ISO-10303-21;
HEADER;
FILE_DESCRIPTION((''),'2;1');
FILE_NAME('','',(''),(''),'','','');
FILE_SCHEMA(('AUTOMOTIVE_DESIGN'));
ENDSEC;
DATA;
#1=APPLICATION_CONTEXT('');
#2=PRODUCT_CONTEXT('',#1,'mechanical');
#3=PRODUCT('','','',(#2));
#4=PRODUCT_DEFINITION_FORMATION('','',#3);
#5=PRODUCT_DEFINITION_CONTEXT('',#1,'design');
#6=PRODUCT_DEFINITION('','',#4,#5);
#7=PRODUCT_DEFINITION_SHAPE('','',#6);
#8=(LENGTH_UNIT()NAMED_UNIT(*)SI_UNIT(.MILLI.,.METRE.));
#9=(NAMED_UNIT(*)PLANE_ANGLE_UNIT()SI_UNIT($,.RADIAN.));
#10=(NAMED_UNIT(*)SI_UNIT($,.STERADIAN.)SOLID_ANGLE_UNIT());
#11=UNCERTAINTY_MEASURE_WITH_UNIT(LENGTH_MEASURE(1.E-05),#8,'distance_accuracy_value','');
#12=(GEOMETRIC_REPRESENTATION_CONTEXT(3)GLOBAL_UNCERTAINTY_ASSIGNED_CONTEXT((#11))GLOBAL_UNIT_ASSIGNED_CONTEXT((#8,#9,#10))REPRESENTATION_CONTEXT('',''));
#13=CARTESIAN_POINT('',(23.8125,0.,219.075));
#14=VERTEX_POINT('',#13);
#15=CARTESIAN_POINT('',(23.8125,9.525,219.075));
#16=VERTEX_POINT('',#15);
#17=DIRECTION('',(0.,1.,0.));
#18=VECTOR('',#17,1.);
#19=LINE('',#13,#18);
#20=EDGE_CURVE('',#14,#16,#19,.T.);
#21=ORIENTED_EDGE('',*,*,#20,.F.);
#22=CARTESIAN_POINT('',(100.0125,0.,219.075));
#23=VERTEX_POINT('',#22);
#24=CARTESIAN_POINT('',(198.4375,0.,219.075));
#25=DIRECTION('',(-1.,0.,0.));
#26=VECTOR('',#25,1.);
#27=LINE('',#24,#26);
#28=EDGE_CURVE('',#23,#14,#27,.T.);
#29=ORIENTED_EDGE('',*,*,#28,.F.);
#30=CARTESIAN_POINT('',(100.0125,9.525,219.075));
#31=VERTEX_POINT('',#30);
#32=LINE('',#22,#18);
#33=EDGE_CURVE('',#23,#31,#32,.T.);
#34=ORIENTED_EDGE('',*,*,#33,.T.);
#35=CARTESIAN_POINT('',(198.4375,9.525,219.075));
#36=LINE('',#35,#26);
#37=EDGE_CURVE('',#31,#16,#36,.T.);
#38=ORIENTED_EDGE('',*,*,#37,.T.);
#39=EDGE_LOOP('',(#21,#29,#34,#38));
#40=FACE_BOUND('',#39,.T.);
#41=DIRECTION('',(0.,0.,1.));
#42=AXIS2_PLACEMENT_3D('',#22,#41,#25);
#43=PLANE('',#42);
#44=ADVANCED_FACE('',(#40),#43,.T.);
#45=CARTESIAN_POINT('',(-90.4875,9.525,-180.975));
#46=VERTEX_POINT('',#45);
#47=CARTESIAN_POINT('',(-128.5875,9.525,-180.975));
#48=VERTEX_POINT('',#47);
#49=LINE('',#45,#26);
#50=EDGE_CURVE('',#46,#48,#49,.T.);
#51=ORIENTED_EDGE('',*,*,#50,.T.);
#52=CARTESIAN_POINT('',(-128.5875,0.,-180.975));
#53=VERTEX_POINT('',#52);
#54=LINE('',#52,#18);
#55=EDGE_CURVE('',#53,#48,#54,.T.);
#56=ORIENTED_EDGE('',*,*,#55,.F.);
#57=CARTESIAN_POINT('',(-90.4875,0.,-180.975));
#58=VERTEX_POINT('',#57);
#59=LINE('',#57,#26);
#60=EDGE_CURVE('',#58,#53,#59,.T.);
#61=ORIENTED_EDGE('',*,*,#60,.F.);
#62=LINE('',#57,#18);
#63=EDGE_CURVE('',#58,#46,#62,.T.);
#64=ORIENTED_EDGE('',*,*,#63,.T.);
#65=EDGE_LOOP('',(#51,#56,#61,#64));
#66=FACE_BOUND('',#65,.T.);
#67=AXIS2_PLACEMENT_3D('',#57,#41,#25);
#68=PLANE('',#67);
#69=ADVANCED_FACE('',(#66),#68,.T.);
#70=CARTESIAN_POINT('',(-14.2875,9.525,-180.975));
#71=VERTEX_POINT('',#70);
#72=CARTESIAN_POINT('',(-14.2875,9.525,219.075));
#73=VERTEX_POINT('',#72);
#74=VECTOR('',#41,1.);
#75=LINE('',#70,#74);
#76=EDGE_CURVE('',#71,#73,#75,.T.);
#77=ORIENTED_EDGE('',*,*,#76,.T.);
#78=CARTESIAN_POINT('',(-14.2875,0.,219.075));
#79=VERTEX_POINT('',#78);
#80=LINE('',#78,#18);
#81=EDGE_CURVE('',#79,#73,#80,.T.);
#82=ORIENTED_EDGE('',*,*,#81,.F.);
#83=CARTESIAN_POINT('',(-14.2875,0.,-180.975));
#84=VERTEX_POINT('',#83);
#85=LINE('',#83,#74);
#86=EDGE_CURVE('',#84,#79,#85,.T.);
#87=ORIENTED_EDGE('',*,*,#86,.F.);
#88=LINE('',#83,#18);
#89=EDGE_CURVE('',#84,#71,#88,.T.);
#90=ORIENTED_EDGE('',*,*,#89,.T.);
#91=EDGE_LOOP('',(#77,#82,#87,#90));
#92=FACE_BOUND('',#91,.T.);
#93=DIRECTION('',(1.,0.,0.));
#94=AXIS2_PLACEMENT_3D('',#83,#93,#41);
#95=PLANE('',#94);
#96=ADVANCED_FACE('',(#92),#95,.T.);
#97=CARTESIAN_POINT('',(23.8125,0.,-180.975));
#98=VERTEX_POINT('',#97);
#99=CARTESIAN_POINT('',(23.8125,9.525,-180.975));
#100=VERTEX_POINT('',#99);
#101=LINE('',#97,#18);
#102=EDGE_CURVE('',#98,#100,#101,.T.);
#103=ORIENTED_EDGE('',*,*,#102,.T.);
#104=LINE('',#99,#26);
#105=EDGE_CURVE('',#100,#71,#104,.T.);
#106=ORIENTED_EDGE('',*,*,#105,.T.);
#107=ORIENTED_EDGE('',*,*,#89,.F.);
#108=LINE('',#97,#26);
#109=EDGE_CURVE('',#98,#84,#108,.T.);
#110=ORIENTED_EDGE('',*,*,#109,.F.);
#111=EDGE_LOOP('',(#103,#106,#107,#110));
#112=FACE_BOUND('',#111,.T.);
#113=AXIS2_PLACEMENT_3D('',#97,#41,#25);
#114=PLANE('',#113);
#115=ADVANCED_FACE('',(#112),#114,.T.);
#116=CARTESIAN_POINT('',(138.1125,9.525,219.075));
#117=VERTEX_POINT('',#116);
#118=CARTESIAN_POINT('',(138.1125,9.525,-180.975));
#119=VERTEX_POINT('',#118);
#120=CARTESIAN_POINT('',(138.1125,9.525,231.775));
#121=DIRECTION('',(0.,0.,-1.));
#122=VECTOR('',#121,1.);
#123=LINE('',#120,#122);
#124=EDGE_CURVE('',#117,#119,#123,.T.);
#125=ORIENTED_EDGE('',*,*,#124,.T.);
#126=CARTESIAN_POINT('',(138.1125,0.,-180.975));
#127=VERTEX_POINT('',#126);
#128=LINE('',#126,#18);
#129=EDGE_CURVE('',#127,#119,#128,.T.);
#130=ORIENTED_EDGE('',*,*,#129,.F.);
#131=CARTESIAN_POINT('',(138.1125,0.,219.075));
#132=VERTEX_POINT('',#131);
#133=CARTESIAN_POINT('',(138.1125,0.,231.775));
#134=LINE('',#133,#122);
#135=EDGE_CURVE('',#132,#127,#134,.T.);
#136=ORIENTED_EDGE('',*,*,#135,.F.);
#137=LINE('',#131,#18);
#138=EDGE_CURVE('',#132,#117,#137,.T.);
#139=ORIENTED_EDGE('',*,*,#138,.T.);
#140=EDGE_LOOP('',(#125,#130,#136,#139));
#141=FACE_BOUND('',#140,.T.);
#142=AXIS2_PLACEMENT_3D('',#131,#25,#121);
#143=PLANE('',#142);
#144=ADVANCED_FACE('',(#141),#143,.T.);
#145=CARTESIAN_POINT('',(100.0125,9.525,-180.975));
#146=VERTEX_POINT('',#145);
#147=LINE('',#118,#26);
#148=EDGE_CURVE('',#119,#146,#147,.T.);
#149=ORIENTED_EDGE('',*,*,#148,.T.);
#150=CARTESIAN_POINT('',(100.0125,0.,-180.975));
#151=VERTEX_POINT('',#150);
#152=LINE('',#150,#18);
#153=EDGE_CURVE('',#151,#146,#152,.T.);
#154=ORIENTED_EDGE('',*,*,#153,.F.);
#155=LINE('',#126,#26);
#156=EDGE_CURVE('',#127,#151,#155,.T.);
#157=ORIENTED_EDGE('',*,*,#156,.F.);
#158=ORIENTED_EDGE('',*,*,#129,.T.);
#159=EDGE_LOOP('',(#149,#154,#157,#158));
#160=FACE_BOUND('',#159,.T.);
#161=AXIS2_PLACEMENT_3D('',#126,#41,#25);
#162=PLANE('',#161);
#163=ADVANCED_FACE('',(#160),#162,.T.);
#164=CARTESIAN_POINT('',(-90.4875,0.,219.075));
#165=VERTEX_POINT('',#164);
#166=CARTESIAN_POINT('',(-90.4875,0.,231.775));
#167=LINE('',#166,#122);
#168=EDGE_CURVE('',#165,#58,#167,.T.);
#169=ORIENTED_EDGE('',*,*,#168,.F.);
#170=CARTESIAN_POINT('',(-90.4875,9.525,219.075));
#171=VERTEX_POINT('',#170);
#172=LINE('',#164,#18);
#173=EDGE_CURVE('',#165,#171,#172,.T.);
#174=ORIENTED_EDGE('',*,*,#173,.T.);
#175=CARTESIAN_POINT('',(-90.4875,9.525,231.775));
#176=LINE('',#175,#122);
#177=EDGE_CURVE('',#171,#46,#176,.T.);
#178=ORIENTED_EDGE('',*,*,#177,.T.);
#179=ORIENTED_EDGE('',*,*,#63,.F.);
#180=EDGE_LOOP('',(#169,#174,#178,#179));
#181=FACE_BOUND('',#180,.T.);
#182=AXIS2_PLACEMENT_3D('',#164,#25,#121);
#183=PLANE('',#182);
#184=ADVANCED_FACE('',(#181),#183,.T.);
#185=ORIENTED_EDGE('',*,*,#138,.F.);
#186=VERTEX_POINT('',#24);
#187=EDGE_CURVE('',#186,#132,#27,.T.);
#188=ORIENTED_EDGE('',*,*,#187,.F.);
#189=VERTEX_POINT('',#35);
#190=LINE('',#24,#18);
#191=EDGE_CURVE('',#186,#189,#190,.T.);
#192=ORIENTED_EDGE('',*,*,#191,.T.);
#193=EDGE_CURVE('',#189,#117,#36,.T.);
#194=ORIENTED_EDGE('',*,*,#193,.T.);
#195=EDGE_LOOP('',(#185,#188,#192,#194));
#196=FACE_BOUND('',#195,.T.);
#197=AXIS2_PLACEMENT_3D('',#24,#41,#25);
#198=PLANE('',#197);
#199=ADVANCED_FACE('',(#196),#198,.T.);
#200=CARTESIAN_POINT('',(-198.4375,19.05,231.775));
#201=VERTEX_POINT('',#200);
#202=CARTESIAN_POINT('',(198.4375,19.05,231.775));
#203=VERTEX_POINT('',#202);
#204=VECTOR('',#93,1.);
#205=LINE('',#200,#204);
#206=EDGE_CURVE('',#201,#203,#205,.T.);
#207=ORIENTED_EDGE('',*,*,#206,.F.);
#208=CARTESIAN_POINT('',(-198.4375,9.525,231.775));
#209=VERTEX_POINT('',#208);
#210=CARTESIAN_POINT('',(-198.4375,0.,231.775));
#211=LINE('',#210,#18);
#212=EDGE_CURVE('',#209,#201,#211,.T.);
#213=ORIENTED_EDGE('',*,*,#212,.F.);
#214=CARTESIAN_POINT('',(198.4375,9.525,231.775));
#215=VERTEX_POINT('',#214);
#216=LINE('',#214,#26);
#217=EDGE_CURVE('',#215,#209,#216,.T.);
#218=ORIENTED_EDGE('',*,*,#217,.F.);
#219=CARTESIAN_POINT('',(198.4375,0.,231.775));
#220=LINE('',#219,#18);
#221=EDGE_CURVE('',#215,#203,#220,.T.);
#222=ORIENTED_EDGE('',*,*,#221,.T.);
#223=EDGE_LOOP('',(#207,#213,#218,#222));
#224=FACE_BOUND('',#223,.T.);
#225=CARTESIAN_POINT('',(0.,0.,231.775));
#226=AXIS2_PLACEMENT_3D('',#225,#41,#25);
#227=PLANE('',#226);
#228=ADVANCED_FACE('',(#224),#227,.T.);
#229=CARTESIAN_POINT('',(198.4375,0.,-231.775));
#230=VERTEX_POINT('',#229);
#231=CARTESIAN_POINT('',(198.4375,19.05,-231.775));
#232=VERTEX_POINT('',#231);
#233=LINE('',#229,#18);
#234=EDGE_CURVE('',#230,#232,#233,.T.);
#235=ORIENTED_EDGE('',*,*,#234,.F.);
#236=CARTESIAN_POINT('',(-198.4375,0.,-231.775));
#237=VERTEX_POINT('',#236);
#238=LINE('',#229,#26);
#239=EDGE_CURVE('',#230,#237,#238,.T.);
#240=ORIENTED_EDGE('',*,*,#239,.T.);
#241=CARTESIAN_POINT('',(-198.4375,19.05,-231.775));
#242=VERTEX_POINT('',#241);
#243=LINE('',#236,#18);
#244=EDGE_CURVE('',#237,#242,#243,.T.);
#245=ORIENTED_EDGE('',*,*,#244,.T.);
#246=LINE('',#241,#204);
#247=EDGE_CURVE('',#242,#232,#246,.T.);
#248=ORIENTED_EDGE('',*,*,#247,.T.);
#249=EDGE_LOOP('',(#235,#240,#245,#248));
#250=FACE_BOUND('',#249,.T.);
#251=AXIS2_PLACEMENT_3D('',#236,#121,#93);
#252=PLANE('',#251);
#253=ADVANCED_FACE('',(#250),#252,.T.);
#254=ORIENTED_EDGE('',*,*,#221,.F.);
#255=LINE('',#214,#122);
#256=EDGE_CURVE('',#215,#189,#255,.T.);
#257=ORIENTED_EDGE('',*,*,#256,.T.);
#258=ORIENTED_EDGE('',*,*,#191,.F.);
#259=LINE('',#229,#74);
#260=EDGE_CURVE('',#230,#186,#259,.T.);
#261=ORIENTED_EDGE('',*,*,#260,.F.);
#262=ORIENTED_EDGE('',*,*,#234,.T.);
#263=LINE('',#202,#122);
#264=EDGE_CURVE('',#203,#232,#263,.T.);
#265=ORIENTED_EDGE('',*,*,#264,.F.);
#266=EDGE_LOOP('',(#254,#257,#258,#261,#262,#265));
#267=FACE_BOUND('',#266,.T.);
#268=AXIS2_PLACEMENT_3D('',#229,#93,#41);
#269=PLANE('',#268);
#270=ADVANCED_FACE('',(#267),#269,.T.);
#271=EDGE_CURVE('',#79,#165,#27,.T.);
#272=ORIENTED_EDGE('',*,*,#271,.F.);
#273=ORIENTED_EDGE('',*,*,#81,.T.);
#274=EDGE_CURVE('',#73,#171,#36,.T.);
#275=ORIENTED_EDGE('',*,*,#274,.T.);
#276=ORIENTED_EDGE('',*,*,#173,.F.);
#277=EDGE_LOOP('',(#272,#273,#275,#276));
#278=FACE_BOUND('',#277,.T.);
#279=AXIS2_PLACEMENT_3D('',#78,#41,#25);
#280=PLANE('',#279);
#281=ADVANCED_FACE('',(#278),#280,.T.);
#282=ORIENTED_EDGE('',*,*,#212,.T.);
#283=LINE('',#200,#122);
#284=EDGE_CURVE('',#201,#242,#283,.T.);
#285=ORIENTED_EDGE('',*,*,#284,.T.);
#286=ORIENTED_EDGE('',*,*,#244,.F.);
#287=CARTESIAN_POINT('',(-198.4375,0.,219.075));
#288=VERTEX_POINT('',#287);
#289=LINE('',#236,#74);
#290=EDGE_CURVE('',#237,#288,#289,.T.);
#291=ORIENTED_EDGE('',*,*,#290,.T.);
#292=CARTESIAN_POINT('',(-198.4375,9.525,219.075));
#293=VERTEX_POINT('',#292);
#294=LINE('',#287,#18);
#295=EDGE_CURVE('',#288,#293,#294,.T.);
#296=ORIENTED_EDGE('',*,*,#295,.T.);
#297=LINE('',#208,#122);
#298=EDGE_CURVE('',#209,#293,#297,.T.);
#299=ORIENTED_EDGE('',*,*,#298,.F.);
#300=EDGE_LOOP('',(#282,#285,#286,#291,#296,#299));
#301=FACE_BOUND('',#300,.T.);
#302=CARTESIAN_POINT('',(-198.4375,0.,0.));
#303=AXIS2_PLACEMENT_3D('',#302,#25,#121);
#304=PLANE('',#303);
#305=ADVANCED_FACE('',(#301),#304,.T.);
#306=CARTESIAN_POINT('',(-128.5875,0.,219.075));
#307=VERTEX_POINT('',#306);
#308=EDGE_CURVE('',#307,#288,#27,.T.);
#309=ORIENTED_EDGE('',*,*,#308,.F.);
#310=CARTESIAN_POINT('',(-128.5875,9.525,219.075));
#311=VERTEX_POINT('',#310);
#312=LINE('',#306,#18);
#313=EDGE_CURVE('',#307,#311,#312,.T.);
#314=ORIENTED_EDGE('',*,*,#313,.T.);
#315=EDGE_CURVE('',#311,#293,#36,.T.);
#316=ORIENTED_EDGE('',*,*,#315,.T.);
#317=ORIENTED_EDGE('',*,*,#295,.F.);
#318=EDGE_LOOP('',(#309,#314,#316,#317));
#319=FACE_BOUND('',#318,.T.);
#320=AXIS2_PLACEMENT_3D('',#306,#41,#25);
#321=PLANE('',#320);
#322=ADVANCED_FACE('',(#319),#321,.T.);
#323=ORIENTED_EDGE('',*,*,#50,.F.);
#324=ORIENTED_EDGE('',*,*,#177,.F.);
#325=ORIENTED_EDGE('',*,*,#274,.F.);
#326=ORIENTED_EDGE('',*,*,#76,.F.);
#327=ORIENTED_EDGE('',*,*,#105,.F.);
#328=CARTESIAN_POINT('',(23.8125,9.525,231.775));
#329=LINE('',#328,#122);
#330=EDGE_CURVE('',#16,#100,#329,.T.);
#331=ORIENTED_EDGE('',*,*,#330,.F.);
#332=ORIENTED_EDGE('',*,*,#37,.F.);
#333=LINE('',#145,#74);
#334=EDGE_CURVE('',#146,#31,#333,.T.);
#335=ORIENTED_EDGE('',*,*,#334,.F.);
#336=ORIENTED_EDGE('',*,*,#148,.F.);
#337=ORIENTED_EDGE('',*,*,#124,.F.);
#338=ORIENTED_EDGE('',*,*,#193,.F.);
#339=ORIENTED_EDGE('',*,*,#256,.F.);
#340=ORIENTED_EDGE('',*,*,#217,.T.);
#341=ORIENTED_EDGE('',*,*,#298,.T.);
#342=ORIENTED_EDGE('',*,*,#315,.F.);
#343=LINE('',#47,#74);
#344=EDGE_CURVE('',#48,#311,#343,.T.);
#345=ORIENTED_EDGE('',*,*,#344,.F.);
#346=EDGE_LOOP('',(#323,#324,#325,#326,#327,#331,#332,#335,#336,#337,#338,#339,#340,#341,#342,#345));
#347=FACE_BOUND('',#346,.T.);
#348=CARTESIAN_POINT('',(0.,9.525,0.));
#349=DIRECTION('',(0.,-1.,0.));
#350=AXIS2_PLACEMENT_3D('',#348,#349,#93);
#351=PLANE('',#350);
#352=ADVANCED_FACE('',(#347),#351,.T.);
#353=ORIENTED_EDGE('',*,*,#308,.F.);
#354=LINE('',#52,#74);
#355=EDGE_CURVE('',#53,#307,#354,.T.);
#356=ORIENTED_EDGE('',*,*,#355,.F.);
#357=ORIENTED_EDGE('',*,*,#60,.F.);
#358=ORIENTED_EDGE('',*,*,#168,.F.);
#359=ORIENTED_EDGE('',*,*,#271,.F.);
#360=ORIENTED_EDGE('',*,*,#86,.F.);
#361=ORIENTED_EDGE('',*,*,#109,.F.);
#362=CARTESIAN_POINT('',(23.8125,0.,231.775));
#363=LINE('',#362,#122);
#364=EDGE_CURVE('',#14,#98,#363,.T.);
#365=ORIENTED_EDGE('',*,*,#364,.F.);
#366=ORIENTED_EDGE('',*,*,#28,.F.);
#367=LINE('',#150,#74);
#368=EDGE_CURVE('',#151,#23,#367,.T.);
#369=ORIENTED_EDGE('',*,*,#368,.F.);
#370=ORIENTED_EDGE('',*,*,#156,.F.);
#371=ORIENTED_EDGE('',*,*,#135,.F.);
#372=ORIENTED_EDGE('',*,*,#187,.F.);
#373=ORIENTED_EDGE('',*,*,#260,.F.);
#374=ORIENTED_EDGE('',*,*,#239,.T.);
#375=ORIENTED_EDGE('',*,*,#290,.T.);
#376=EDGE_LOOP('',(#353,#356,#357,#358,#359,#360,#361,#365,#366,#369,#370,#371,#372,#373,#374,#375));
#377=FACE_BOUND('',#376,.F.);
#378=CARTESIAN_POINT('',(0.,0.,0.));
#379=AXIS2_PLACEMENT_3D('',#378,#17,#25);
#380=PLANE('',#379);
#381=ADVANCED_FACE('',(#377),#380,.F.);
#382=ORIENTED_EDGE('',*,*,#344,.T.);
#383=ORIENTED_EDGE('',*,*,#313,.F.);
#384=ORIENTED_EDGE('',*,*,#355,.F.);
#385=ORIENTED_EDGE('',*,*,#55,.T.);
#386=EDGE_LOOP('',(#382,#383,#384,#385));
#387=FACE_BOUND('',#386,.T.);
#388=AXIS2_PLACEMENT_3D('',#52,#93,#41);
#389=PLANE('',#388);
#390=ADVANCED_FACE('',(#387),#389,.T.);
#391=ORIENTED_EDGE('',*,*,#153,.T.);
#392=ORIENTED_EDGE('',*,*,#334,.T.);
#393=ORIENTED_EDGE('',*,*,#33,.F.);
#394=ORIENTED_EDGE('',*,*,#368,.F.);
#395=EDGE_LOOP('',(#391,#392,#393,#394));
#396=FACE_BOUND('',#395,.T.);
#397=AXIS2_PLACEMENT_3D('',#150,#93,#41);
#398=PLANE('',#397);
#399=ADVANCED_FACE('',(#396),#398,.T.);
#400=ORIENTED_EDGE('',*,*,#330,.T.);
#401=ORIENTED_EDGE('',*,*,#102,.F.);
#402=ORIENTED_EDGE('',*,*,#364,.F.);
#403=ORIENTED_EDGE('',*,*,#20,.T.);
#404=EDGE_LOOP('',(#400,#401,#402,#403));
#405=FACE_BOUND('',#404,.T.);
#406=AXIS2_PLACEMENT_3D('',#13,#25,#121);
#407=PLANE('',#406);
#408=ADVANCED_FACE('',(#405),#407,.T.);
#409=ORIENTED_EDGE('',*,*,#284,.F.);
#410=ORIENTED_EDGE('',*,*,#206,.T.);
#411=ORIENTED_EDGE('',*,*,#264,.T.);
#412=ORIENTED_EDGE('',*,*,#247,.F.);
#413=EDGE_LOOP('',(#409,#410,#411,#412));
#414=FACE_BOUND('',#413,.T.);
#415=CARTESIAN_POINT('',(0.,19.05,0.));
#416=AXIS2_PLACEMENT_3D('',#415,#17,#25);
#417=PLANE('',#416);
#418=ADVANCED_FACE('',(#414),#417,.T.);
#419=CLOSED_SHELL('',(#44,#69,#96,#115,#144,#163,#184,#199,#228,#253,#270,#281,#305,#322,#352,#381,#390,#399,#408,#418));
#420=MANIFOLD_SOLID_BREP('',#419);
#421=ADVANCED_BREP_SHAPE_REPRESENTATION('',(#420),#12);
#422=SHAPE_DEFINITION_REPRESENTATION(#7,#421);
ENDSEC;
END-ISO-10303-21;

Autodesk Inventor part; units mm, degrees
ref_plane "YZ Plane" through (0, 0, 0) normal (1, 0, 0) x (0, 1, 0)
ref_plane "XZ Plane" through (0, 0, 0) normal (0, 1, 0) x (-1, 0, 0)
ref_plane "XY Plane" through (0, 0, 0) normal (0, 0, 1) x (1, 0, 0)
sketch "Sketch1" plane through (0, 0, 0) normal (0, 1, 0) x (-1, 0, 0)
  line L0 (198.4375, -231.775) -> (-198.4375, -231.775)
  line L1 (-198.4375, -231.775) -> (-198.4375, 231.775)
  line L2 (-198.4375, 231.775) -> (198.4375, 231.775)
  line L3 (198.4375, 231.775) -> (198.4375, -231.775)
  line L4 (0, -324.485) -> (0, 324.485) projected
  line L5 (277.8125, 0) -> (-277.8125, 0) projected
  point P0 (0, 0)
  dimension "d0" = 396.875
  dimension "d1" = 463.55
  dimension "d4" = 198.4375
  dimension "d8" = 231.775
extrude "Shelf Board" add sketch "Sketch1" along normal blind 19.05
sketch "Sketch3" plane through (0, 0, 0) normal (0, -1, 0) x (1, 0, 0)
  line L0 (-198.4375, 231.775) -> (198.4375, 231.775) projected
  line L1 (-128.5875, 231.775) -> (-90.4875, 231.775)
  line L2 (-90.4875, 231.775) -> (-90.4875, -180.975)
  line L3 (-90.4875, -180.975) -> (-128.5875, -180.975)
  line L4 (-128.5875, -180.975) -> (-128.5875, 231.775)
  line L5 (-198.4375, -231.775) -> (198.4375, -231.775) projected
  line L6 (-198.4375, 231.775) -> (-198.4375, -231.775) projected
  line L7 (-14.2875, 231.775) -> (23.8125, 231.775)
  line L8 (23.8125, 231.775) -> (23.8125, -180.975)
  line L9 (23.8125, -180.975) -> (-14.2875, -180.975)
  line L10 (-14.2875, -180.975) -> (-14.2875, 231.775)
  line L11 (198.4375, 231.775) -> (-198.4375, 231.775) projected
  line L12 (100.0125, 231.775) -> (138.1125, 231.775)
  line L13 (138.1125, 231.775) -> (138.1125, -180.975)
  line L14 (138.1125, -180.975) -> (100.0125, -180.975)
  line L15 (100.0125, -180.975) -> (100.0125, 231.775)
  line L16 (198.4375, 231.775) -> (198.4375, -231.775) projected
  line L17 (-198.4375, 231.775) -> (198.4375, 231.775)
  line L18 (198.4375, 231.775) -> (198.4375, 219.075)
  line L19 (198.4375, 219.075) -> (-198.4375, 219.075)
  line L20 (-198.4375, 219.075) -> (-198.4375, 231.775)
  point P0 (0, 0)
  dimension "d11" = 50.8
  dimension "d12" = 38.1
  dimension "d13" = 69.85
  dimension "d20" = 12.7
  dimension "d22" = 396.875
  dimension "d25" = 76.2
  dimension "d26" = 76.2
  dimension "d27" = 60.325
extrude "Light Stop Dados" cut sketch "Sketch3" against normal blind 9.525 contours L0 L4 L19 L6 | L0 L2 L19 L4 | L0 L10 L19 L2 | L19 L2 L3 L4 | L0 L8 L19 L10 | L0 L15 L19 L8 | L19 L8 L9 L10 | L19 L13 L0 L16 | L0 L13 L19 L15 | L13 L14 L15 L19
equation "\"d4\" = 0.5 * d0"
equation "\"d8\" = 0.5 * d1"
properties part number "Horizontal Shelf with Lights Left"
